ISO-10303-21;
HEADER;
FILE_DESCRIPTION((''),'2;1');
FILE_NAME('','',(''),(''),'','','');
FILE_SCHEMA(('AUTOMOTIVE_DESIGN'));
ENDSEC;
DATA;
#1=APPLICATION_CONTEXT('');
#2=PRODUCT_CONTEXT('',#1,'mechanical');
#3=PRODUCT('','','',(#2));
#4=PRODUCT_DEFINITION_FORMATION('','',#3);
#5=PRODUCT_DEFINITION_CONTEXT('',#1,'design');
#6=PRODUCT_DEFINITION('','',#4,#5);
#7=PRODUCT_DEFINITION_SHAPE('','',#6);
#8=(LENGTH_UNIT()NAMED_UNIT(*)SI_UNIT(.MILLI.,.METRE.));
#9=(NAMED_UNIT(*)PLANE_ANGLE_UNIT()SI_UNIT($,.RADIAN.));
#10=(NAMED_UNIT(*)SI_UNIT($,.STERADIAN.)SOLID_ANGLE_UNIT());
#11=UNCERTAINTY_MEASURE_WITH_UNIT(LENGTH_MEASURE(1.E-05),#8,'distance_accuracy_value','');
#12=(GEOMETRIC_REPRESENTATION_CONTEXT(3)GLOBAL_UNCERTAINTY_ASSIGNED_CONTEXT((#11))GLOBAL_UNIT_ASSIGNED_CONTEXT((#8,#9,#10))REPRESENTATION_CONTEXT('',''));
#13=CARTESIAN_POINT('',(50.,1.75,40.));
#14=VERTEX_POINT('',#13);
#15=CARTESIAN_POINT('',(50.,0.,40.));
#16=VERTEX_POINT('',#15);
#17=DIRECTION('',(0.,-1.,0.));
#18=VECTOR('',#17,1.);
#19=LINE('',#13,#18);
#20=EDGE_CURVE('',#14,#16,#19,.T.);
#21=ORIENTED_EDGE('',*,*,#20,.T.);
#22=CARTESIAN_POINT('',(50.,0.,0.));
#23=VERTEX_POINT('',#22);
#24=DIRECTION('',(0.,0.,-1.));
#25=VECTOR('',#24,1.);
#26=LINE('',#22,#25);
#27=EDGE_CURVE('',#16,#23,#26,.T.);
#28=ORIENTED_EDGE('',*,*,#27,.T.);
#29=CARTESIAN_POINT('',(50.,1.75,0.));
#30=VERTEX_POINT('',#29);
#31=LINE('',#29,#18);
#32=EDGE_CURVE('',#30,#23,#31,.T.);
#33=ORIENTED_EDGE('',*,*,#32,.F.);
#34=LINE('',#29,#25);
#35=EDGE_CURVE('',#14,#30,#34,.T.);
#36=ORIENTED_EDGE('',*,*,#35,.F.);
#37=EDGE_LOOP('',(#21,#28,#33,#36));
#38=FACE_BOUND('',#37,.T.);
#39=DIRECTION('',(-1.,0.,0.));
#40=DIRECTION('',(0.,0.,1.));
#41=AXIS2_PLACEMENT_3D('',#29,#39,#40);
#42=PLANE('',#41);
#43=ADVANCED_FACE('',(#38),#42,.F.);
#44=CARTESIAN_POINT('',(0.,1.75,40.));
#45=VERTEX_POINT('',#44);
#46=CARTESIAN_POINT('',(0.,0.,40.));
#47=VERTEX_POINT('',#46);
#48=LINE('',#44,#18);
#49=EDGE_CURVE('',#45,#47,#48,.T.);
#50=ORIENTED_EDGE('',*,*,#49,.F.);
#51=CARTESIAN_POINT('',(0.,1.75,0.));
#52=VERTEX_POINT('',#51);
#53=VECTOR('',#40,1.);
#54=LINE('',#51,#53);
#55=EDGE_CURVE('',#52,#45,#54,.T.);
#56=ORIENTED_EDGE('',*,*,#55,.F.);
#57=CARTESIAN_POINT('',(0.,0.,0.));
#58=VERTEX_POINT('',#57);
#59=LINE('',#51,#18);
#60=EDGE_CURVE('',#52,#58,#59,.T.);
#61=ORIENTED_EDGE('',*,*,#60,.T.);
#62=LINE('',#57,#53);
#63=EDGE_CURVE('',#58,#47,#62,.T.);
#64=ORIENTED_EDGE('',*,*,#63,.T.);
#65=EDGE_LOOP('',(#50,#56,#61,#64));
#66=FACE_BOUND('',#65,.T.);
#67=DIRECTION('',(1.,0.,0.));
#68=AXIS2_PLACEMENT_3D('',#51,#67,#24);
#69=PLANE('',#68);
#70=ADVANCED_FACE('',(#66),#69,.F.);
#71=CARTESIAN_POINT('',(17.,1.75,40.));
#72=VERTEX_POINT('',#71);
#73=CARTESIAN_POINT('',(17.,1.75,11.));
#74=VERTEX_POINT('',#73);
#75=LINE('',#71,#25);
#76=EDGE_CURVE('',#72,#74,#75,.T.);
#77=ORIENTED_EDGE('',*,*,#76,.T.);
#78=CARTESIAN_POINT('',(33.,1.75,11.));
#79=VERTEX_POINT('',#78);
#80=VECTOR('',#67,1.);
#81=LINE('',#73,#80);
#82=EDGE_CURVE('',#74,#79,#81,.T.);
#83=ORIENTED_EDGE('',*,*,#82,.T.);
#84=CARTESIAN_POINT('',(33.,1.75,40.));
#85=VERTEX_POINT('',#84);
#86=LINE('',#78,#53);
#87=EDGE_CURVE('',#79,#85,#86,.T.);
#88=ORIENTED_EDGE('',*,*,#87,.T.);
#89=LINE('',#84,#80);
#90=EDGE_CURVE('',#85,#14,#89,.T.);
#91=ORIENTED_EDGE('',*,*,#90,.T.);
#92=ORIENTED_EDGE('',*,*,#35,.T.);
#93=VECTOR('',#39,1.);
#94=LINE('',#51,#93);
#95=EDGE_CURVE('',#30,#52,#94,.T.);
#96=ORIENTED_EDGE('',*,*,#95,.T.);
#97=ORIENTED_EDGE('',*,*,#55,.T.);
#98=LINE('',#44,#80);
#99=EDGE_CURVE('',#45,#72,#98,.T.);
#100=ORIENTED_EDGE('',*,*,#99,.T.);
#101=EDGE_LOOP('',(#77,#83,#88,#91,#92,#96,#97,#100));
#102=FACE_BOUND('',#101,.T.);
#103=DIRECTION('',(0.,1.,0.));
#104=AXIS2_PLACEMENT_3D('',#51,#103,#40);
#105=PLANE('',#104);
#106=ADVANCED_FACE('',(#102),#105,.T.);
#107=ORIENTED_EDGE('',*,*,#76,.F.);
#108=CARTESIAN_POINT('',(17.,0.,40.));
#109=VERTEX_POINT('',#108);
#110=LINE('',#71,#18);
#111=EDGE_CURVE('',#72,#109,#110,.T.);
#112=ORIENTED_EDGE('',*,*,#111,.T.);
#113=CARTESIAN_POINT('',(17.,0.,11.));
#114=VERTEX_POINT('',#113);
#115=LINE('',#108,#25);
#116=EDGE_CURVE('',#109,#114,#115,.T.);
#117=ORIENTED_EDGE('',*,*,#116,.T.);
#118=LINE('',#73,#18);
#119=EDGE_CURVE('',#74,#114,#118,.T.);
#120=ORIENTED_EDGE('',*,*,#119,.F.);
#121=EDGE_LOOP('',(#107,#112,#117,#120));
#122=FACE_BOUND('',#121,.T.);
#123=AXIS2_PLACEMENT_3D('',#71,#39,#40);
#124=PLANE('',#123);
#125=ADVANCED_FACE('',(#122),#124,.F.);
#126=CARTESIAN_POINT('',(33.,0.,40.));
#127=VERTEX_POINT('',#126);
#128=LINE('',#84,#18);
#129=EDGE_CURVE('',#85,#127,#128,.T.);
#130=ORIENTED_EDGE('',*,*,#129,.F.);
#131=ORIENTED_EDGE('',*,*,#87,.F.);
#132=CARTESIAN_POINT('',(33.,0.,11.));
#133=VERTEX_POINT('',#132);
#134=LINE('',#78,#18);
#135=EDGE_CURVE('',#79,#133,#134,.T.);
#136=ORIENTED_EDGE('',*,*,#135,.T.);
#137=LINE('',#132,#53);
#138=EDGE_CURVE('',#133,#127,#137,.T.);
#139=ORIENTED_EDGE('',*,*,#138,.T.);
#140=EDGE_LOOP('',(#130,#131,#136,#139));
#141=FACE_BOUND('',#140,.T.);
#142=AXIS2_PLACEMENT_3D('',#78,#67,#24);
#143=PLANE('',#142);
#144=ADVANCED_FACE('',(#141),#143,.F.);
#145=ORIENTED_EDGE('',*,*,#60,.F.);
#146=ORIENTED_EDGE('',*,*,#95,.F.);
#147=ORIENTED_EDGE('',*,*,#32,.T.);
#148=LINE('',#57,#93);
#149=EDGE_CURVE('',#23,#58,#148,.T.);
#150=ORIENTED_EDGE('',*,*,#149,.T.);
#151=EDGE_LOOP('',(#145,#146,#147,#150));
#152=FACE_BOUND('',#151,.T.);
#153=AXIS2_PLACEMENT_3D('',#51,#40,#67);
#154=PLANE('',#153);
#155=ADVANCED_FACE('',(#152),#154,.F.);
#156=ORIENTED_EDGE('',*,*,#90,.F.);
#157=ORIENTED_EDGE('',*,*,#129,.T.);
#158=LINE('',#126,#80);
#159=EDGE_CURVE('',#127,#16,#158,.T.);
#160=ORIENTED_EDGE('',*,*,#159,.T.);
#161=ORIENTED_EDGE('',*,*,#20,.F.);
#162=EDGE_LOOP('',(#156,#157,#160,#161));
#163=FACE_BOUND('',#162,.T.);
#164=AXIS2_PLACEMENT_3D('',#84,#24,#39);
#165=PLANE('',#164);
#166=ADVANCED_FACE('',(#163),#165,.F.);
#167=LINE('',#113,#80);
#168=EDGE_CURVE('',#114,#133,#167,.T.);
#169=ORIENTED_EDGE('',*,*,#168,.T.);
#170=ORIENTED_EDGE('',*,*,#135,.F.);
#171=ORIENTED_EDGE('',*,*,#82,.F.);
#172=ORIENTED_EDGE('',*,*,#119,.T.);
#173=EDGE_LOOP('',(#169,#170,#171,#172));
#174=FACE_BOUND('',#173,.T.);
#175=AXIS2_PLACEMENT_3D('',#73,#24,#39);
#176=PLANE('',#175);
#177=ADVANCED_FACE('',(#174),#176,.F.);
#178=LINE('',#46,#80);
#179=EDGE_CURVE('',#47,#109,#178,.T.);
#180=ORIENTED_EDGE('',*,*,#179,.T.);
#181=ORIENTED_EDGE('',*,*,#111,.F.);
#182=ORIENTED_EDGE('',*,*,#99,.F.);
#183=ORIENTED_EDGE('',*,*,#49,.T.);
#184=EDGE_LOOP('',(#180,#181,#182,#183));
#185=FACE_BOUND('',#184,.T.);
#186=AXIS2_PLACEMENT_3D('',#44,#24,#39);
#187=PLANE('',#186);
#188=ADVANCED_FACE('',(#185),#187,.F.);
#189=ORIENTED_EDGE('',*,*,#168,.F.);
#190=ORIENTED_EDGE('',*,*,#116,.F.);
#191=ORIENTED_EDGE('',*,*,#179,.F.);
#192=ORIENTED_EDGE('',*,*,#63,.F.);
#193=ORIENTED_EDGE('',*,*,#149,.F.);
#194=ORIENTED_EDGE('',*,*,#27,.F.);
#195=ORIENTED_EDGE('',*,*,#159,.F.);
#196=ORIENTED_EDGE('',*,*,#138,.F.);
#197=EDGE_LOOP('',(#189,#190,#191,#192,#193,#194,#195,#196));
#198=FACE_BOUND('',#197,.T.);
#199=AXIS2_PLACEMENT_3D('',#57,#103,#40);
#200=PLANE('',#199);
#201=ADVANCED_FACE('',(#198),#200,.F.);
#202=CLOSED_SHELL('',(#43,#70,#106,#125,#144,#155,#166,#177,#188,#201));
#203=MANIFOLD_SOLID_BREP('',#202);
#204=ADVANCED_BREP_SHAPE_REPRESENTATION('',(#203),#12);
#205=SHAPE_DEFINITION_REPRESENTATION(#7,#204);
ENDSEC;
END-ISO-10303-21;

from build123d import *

# Parameters (mm, degrees)
BOSS_EXTRUDE1_DEPTH = 1.75


with BuildPart() as part:
    # Sketch1 → Boss-Extrude1 (new body)
    with BuildSketch(Plane(origin=(0, 0, 0), x_dir=(1, 0, 0), z_dir=(0, 1, 0))):
        Polygon((17, -40), (17, -11), (33, -11), (33, -40), (50, -40), (50, 0), (0, 0), (0, -40), align=None)
    extrude(amount=BOSS_EXTRUDE1_DEPTH)


solid = part.part
